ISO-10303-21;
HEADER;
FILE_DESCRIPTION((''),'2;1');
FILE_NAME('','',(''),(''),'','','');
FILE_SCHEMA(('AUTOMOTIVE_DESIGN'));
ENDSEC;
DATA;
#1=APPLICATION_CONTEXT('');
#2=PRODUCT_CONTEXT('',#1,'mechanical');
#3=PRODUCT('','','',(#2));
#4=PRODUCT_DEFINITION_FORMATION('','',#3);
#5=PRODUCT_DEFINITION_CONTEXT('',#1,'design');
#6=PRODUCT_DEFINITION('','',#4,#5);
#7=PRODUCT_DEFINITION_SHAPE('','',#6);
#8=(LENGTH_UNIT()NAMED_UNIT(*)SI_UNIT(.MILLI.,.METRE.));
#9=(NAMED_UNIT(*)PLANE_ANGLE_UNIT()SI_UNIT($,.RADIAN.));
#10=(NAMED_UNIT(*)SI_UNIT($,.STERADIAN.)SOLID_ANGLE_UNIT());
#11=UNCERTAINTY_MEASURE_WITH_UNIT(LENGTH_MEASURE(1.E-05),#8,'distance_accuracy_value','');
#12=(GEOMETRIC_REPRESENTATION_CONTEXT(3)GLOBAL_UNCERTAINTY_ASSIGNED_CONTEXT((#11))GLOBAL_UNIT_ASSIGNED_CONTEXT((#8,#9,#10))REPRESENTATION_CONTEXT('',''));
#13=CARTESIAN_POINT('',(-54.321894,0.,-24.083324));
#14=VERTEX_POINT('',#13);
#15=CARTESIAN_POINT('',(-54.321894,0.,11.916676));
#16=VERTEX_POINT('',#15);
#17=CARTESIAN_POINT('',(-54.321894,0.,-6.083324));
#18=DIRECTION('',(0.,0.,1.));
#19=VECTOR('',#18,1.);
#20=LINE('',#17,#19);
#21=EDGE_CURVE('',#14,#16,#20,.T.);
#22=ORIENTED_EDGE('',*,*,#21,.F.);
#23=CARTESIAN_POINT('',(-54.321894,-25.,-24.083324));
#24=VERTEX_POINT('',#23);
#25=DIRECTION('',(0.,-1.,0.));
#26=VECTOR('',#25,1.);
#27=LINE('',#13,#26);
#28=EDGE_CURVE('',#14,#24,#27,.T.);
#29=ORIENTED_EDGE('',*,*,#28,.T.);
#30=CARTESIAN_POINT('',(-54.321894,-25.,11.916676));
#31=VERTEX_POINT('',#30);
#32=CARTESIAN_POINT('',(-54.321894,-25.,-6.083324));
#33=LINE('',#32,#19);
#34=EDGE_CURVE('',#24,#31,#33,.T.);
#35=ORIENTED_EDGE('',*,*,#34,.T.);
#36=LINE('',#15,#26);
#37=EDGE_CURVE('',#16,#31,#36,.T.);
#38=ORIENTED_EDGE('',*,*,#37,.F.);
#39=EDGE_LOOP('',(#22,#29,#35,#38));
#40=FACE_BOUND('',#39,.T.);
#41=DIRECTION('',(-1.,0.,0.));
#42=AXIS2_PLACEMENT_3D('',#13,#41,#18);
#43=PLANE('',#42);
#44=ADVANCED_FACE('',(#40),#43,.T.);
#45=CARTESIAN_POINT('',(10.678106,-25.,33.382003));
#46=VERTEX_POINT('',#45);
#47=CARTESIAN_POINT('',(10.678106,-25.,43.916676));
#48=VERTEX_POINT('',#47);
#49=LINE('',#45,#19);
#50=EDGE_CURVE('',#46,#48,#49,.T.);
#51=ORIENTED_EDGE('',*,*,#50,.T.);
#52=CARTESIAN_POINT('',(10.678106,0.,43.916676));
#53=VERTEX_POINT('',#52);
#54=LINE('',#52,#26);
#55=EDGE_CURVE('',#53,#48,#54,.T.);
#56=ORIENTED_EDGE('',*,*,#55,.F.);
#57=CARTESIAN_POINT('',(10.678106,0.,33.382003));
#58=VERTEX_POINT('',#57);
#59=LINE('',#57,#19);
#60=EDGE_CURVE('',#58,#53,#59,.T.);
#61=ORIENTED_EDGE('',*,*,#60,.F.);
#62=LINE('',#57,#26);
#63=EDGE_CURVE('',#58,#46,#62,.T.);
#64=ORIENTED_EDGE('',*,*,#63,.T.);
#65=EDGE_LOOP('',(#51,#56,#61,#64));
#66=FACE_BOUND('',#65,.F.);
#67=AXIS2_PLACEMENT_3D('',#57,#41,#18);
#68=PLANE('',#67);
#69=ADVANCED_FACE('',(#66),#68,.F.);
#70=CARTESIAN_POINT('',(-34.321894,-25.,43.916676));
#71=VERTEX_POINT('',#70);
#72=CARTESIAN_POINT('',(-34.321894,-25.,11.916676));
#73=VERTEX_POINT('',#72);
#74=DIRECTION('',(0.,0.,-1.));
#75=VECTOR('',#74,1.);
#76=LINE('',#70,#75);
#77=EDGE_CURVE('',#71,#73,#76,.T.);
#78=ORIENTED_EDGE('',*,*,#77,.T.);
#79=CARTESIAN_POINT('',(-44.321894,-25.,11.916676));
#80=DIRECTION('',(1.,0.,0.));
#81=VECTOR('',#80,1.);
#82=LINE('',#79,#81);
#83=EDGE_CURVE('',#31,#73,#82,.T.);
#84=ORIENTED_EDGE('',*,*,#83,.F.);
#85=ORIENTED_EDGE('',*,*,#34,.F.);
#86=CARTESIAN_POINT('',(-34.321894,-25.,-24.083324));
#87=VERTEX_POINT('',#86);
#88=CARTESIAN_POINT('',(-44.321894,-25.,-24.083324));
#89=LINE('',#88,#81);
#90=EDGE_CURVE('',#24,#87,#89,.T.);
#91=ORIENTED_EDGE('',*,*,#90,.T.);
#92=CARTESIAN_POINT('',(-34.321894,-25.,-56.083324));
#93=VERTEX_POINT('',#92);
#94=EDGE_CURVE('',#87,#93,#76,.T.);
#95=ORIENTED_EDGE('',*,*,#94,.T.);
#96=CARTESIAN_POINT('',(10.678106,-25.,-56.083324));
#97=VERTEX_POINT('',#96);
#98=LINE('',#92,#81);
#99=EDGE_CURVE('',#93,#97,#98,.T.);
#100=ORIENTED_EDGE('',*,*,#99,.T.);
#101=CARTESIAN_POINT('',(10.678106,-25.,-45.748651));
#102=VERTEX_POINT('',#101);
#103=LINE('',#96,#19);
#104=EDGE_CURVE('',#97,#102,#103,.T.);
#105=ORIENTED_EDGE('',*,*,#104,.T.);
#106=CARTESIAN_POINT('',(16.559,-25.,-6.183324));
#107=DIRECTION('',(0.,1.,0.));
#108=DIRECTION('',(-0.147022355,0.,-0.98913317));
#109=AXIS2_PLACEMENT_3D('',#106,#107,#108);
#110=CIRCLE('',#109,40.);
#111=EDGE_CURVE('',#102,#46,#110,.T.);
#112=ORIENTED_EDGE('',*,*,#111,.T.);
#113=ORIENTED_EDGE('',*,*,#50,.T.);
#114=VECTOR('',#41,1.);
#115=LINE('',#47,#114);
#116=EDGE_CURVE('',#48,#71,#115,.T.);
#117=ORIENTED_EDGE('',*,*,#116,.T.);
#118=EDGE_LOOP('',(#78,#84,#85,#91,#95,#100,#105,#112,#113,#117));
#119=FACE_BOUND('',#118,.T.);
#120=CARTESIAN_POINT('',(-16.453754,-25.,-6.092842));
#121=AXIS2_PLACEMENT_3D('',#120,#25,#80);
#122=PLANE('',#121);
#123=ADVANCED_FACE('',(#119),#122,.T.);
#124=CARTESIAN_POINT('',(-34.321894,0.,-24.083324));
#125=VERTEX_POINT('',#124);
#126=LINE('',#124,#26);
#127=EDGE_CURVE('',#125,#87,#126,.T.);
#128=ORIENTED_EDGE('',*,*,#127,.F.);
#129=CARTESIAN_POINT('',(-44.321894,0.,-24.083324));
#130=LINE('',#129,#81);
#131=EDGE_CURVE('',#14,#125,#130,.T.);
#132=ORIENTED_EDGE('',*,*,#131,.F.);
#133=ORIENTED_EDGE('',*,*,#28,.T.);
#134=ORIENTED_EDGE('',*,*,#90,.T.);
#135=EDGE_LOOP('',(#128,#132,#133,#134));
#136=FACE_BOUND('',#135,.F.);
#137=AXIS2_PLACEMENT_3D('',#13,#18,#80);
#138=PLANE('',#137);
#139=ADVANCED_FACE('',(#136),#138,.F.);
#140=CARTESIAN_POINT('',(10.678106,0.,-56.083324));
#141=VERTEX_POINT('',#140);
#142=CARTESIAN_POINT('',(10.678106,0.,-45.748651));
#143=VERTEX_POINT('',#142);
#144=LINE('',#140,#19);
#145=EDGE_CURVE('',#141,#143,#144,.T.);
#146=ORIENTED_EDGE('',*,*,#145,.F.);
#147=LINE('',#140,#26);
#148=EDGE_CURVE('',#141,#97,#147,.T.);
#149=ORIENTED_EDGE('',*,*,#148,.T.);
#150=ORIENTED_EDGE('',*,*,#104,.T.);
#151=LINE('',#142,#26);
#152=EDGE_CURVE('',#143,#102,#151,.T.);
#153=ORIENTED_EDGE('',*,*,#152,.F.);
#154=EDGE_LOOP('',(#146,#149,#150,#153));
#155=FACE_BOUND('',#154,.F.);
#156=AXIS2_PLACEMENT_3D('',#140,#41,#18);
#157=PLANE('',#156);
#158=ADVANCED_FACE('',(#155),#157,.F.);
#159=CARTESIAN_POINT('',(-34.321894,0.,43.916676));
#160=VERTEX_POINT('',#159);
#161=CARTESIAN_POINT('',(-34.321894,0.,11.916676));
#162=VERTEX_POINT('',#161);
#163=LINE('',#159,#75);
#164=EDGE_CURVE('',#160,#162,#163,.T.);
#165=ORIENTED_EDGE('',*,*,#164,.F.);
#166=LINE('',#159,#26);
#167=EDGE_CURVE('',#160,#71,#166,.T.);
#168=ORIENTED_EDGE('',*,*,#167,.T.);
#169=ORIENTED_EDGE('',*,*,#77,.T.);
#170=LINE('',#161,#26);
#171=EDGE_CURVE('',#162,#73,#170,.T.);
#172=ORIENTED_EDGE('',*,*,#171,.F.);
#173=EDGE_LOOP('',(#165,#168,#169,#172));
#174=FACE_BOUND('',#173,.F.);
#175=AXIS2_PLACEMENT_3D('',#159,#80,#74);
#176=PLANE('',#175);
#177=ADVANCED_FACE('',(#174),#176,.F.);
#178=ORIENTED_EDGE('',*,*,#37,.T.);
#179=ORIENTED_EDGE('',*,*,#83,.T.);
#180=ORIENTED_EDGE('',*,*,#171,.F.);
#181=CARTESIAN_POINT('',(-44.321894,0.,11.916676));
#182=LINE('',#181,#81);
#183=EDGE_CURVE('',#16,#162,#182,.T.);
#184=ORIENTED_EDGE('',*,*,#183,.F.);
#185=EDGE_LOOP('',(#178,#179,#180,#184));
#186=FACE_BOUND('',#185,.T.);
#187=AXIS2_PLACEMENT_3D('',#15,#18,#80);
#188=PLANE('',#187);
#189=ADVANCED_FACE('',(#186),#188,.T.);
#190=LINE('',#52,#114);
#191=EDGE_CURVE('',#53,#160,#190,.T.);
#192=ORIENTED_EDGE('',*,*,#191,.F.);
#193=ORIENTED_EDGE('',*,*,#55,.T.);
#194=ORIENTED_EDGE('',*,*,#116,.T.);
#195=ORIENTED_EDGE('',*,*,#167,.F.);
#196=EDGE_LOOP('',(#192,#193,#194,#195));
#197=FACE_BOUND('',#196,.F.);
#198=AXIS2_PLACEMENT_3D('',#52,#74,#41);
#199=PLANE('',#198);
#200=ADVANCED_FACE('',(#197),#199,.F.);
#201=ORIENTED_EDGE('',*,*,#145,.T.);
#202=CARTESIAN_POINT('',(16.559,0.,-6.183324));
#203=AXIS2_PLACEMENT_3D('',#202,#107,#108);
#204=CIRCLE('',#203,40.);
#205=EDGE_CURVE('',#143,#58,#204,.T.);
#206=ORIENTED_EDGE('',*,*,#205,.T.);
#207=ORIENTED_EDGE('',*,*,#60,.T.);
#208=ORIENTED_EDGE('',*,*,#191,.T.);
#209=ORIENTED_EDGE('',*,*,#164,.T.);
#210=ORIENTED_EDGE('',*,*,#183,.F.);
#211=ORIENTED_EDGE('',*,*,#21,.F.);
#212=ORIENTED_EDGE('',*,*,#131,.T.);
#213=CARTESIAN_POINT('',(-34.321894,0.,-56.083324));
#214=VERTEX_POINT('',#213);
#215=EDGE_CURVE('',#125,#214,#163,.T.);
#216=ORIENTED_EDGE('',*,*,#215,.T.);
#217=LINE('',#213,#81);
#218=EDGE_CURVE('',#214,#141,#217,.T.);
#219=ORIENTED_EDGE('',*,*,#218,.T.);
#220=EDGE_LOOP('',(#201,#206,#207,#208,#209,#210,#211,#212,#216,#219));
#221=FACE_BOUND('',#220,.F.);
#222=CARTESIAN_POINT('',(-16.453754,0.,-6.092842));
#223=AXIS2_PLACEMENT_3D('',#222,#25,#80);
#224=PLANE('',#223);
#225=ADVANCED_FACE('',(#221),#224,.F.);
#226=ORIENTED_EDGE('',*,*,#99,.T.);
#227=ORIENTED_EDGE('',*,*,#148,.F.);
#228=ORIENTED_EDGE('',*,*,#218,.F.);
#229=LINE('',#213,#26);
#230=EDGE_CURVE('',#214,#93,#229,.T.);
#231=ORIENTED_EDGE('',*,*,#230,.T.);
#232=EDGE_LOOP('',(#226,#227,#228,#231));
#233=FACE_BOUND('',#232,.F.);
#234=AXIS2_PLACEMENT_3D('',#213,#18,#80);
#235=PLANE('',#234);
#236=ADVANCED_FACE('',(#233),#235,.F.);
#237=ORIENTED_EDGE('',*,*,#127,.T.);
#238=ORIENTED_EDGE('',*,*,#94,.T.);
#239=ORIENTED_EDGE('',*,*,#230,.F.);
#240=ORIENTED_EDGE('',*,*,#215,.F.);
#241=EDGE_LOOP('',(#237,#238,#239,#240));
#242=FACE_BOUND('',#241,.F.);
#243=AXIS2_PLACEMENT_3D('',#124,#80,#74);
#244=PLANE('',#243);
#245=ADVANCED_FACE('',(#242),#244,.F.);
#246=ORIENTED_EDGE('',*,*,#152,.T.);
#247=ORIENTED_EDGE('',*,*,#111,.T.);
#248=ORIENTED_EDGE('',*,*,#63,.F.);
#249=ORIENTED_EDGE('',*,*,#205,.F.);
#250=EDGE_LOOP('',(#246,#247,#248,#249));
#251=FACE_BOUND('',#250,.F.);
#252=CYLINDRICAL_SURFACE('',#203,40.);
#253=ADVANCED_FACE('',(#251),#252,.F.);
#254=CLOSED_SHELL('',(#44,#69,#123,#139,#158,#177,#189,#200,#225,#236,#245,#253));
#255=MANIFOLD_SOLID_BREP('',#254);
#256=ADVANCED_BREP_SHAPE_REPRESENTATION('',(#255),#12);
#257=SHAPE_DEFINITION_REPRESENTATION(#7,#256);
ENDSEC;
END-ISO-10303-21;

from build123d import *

# Parameters (mm, degrees)
F0_W     = 20
F0_H     = 36
F1_DEPTH = 25


with BuildPart() as f1:
    # F0 (on Front) → F1 (new body)
    with BuildSketch(Plane.XZ):
        with BuildLine():
            Line((10.678106, 43.916676), (-34.321894, 43.916676))
            Line((-34.321894, 43.916676), (-34.321894, 11.916676))
            Line((-34.321894, 11.916676), (-34.321894, -24.083324))
            Line((-34.321894, -24.083324), (-34.321894, -56.083324))
            Line((-34.321894, -56.083324), (10.678106, -56.083324))
            Line((10.678106, -56.083324), (10.678106, -45.748651))
            ThreePointArc((10.678106, -45.748651), (-23.441, -6.183324), (10.678106, 33.382003))
            Line((10.678106, 33.382003), (10.678106, 43.916676))
        make_face()
        with Locations((-44.321894, -6.083324)):
            Rectangle(F0_W, F0_H)
    extrude(amount=F1_DEPTH)


solid = f1.part
